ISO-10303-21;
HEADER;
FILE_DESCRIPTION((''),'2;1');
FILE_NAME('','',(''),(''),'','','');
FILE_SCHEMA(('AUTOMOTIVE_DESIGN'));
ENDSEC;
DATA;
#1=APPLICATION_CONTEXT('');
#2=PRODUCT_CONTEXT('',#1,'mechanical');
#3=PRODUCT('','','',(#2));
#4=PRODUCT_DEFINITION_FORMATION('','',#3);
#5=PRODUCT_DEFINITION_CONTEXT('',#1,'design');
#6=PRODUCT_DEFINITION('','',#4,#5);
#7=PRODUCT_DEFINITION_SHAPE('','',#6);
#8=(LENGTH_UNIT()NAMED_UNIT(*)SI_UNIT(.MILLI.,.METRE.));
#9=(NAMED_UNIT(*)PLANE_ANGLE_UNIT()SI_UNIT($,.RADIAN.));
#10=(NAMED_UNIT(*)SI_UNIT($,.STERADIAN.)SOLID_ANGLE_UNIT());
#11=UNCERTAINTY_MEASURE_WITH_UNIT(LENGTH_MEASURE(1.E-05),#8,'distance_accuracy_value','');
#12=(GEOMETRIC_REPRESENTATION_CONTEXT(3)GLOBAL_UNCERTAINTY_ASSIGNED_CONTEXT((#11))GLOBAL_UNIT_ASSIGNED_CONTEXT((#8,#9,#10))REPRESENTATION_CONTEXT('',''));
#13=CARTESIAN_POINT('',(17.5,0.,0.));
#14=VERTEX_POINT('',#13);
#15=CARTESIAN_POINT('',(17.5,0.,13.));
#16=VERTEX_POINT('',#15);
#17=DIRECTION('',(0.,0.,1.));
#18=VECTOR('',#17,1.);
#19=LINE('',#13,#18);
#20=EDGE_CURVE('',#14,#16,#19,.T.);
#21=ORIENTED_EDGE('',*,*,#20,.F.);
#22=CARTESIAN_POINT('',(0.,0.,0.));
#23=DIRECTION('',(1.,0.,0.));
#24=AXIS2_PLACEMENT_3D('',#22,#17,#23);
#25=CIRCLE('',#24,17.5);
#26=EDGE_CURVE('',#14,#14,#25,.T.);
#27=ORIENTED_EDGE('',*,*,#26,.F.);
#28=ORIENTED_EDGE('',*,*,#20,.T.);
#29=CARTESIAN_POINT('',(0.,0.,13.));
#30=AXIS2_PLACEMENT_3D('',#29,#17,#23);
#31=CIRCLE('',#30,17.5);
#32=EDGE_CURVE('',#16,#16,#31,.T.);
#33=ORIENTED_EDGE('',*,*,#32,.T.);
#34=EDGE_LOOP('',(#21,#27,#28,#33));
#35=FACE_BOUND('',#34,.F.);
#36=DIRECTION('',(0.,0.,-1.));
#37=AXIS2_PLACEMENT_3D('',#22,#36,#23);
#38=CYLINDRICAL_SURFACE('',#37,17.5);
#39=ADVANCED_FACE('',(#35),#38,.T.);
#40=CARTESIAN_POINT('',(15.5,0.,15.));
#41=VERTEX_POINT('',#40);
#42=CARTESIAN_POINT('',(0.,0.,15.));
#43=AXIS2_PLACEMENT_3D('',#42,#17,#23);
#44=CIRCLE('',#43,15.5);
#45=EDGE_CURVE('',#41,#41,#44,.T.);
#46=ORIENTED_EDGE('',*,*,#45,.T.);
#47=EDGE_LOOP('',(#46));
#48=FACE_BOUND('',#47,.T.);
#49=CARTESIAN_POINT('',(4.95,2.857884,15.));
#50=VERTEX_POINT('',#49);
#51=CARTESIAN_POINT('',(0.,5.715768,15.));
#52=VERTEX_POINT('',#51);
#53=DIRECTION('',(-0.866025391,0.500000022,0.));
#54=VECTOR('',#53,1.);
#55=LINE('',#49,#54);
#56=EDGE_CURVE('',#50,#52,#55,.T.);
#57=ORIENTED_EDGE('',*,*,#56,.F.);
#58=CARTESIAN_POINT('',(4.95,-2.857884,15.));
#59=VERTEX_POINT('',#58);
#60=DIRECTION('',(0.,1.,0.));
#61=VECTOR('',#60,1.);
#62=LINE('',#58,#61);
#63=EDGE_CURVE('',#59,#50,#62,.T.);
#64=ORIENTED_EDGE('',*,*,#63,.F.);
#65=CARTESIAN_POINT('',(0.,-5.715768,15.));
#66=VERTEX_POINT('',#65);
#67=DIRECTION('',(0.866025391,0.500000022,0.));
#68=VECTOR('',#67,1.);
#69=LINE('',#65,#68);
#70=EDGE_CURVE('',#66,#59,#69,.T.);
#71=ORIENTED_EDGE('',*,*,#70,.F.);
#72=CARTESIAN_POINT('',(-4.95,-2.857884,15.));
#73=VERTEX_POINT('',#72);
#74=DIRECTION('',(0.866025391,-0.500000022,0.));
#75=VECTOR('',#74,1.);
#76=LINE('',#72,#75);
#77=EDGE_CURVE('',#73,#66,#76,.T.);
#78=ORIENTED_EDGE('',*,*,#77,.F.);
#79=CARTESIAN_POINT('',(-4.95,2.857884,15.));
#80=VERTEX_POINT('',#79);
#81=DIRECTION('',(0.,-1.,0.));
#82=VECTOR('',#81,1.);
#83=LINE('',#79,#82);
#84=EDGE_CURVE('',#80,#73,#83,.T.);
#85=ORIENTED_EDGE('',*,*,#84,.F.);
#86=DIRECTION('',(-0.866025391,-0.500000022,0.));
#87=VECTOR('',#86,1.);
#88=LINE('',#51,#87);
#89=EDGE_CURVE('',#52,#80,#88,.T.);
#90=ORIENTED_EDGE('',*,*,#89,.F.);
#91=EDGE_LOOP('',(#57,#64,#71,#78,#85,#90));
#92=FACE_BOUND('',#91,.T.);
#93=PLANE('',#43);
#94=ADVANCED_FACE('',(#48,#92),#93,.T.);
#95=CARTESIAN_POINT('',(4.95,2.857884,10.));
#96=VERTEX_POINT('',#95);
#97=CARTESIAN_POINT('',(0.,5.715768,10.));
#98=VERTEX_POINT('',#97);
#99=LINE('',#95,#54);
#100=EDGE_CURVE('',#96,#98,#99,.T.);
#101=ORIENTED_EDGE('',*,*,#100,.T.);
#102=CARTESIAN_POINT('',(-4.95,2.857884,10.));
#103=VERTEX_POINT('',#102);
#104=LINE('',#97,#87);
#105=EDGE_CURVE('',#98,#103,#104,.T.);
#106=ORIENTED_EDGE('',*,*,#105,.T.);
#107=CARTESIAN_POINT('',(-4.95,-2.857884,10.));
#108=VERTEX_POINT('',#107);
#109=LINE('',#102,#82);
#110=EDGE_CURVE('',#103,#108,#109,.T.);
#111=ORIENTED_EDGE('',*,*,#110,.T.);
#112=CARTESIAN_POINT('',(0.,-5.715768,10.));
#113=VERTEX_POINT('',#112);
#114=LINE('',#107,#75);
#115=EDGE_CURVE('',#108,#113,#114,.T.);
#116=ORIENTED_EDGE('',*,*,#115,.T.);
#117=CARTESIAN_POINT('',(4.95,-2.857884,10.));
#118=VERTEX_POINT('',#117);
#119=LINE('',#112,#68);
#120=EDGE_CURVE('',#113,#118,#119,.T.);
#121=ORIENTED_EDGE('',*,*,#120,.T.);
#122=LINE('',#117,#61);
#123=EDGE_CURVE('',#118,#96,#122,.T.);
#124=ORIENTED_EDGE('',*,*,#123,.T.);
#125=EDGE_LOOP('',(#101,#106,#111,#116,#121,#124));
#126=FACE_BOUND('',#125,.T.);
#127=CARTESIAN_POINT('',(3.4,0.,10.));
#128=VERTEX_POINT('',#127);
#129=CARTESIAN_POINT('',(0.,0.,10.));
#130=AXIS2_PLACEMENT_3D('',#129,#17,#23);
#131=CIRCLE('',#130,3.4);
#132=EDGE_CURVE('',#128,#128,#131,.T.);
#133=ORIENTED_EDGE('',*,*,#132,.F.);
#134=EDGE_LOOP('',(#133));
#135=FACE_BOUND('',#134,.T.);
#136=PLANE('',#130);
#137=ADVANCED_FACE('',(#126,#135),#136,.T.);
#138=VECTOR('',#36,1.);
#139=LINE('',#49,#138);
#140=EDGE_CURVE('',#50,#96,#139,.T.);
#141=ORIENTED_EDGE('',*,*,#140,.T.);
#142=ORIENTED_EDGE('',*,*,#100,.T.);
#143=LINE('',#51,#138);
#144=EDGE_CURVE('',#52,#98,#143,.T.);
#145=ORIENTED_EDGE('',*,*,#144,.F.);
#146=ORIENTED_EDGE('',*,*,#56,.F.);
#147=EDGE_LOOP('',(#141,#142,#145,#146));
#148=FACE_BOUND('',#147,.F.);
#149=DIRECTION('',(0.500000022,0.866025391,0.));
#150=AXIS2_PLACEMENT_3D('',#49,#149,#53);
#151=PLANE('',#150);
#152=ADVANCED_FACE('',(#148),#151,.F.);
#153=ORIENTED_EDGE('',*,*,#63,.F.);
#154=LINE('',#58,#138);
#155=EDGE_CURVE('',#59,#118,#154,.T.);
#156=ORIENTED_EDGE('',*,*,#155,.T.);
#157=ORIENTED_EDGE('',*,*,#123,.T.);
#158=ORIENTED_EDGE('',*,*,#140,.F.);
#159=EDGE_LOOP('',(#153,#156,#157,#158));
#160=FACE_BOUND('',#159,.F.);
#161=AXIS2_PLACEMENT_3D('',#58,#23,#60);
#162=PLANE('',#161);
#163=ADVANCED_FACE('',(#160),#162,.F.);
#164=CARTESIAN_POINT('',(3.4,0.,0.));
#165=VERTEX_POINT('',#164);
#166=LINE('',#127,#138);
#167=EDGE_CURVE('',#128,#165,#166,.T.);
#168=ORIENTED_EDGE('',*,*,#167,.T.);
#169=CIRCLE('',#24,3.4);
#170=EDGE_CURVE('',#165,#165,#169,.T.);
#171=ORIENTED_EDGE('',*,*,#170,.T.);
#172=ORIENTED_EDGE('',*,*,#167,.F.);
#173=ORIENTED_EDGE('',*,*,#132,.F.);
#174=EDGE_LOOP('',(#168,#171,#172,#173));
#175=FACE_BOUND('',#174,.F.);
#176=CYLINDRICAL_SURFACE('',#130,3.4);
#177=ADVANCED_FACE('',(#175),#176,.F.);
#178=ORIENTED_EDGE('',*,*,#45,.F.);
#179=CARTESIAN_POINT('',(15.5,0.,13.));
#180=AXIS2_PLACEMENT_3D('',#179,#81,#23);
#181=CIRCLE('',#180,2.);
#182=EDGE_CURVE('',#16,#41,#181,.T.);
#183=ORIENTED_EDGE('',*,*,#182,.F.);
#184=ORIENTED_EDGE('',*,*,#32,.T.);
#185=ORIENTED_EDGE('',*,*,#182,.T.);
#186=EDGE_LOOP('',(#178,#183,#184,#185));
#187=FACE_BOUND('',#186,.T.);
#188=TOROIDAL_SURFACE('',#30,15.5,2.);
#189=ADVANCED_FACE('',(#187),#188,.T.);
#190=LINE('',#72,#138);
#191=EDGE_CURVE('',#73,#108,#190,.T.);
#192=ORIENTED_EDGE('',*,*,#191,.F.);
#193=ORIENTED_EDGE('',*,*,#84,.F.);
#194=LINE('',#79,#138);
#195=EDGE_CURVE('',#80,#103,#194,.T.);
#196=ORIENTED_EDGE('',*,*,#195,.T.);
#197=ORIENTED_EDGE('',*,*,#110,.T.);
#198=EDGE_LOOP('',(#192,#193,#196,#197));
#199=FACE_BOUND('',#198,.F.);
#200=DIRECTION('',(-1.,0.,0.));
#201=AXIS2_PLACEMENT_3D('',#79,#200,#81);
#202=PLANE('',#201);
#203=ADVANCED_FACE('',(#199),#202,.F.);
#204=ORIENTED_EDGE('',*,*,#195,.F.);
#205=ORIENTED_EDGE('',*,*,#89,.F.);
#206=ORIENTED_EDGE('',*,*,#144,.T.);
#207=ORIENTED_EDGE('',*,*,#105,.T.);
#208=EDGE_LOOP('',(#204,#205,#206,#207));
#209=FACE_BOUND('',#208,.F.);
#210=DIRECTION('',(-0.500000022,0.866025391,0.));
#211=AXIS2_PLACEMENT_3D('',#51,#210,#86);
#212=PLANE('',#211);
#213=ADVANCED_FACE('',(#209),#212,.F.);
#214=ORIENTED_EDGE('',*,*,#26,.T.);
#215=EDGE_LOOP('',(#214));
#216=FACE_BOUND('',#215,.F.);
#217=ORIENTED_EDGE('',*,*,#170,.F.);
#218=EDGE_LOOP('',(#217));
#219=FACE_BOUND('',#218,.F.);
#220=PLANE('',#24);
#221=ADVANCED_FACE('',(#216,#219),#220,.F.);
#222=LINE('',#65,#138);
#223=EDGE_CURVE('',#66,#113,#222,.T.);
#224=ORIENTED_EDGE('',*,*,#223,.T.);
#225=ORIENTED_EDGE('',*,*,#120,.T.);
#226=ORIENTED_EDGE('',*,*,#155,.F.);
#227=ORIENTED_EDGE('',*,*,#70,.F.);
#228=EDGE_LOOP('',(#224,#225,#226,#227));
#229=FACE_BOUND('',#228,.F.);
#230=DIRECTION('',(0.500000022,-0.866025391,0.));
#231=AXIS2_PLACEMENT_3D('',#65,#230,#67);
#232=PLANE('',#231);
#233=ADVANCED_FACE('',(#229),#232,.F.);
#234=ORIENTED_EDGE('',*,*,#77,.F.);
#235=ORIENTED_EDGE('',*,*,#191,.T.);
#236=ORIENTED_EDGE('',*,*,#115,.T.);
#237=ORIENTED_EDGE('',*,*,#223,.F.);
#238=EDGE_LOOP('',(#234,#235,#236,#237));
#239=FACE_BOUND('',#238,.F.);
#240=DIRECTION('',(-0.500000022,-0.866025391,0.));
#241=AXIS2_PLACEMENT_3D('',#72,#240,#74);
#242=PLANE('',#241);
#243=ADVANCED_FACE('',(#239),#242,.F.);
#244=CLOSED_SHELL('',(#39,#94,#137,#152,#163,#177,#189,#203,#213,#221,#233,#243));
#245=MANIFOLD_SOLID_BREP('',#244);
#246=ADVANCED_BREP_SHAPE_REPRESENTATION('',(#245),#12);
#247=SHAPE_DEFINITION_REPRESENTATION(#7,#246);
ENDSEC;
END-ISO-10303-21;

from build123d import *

# Parameters (mm, degrees)
F0_R     = 17.5
F1_DEPTH = 15
F3_DEPTH = 5
F4_R     = 2
F5_R     = 3.4
F6_DEPTH = 10.001


with BuildPart() as f1:
    # F0 (on Top) → F1 (new body)
    with BuildSketch(Plane.XY):
        Circle(F0_R)
    extrude(amount=F1_DEPTH)

    # F2 (on face) → F3 (cut)
    with BuildSketch(Plane.XY.offset(15)):
        Polygon((0, -5.715768), (4.95, -2.857884), (4.95, 2.857884), (0, 5.715768), (-4.95, 2.857884), (-4.95, -2.857884), align=None)
    extrude(amount=-F3_DEPTH, mode=Mode.SUBTRACT)

    # F4
    f4_edges = [f1.edges().sort_by_distance(p)[0] for p in [
        (-17.5, 0, 15),
    ]]
    fillet(f4_edges, radius=F4_R)

    # F5 (on face) → F6 (cut, through all)
    with BuildSketch(Plane.XY.offset(10)):
        Circle(F5_R)
    extrude(amount=-F6_DEPTH, mode=Mode.SUBTRACT)


solid = f1.part
